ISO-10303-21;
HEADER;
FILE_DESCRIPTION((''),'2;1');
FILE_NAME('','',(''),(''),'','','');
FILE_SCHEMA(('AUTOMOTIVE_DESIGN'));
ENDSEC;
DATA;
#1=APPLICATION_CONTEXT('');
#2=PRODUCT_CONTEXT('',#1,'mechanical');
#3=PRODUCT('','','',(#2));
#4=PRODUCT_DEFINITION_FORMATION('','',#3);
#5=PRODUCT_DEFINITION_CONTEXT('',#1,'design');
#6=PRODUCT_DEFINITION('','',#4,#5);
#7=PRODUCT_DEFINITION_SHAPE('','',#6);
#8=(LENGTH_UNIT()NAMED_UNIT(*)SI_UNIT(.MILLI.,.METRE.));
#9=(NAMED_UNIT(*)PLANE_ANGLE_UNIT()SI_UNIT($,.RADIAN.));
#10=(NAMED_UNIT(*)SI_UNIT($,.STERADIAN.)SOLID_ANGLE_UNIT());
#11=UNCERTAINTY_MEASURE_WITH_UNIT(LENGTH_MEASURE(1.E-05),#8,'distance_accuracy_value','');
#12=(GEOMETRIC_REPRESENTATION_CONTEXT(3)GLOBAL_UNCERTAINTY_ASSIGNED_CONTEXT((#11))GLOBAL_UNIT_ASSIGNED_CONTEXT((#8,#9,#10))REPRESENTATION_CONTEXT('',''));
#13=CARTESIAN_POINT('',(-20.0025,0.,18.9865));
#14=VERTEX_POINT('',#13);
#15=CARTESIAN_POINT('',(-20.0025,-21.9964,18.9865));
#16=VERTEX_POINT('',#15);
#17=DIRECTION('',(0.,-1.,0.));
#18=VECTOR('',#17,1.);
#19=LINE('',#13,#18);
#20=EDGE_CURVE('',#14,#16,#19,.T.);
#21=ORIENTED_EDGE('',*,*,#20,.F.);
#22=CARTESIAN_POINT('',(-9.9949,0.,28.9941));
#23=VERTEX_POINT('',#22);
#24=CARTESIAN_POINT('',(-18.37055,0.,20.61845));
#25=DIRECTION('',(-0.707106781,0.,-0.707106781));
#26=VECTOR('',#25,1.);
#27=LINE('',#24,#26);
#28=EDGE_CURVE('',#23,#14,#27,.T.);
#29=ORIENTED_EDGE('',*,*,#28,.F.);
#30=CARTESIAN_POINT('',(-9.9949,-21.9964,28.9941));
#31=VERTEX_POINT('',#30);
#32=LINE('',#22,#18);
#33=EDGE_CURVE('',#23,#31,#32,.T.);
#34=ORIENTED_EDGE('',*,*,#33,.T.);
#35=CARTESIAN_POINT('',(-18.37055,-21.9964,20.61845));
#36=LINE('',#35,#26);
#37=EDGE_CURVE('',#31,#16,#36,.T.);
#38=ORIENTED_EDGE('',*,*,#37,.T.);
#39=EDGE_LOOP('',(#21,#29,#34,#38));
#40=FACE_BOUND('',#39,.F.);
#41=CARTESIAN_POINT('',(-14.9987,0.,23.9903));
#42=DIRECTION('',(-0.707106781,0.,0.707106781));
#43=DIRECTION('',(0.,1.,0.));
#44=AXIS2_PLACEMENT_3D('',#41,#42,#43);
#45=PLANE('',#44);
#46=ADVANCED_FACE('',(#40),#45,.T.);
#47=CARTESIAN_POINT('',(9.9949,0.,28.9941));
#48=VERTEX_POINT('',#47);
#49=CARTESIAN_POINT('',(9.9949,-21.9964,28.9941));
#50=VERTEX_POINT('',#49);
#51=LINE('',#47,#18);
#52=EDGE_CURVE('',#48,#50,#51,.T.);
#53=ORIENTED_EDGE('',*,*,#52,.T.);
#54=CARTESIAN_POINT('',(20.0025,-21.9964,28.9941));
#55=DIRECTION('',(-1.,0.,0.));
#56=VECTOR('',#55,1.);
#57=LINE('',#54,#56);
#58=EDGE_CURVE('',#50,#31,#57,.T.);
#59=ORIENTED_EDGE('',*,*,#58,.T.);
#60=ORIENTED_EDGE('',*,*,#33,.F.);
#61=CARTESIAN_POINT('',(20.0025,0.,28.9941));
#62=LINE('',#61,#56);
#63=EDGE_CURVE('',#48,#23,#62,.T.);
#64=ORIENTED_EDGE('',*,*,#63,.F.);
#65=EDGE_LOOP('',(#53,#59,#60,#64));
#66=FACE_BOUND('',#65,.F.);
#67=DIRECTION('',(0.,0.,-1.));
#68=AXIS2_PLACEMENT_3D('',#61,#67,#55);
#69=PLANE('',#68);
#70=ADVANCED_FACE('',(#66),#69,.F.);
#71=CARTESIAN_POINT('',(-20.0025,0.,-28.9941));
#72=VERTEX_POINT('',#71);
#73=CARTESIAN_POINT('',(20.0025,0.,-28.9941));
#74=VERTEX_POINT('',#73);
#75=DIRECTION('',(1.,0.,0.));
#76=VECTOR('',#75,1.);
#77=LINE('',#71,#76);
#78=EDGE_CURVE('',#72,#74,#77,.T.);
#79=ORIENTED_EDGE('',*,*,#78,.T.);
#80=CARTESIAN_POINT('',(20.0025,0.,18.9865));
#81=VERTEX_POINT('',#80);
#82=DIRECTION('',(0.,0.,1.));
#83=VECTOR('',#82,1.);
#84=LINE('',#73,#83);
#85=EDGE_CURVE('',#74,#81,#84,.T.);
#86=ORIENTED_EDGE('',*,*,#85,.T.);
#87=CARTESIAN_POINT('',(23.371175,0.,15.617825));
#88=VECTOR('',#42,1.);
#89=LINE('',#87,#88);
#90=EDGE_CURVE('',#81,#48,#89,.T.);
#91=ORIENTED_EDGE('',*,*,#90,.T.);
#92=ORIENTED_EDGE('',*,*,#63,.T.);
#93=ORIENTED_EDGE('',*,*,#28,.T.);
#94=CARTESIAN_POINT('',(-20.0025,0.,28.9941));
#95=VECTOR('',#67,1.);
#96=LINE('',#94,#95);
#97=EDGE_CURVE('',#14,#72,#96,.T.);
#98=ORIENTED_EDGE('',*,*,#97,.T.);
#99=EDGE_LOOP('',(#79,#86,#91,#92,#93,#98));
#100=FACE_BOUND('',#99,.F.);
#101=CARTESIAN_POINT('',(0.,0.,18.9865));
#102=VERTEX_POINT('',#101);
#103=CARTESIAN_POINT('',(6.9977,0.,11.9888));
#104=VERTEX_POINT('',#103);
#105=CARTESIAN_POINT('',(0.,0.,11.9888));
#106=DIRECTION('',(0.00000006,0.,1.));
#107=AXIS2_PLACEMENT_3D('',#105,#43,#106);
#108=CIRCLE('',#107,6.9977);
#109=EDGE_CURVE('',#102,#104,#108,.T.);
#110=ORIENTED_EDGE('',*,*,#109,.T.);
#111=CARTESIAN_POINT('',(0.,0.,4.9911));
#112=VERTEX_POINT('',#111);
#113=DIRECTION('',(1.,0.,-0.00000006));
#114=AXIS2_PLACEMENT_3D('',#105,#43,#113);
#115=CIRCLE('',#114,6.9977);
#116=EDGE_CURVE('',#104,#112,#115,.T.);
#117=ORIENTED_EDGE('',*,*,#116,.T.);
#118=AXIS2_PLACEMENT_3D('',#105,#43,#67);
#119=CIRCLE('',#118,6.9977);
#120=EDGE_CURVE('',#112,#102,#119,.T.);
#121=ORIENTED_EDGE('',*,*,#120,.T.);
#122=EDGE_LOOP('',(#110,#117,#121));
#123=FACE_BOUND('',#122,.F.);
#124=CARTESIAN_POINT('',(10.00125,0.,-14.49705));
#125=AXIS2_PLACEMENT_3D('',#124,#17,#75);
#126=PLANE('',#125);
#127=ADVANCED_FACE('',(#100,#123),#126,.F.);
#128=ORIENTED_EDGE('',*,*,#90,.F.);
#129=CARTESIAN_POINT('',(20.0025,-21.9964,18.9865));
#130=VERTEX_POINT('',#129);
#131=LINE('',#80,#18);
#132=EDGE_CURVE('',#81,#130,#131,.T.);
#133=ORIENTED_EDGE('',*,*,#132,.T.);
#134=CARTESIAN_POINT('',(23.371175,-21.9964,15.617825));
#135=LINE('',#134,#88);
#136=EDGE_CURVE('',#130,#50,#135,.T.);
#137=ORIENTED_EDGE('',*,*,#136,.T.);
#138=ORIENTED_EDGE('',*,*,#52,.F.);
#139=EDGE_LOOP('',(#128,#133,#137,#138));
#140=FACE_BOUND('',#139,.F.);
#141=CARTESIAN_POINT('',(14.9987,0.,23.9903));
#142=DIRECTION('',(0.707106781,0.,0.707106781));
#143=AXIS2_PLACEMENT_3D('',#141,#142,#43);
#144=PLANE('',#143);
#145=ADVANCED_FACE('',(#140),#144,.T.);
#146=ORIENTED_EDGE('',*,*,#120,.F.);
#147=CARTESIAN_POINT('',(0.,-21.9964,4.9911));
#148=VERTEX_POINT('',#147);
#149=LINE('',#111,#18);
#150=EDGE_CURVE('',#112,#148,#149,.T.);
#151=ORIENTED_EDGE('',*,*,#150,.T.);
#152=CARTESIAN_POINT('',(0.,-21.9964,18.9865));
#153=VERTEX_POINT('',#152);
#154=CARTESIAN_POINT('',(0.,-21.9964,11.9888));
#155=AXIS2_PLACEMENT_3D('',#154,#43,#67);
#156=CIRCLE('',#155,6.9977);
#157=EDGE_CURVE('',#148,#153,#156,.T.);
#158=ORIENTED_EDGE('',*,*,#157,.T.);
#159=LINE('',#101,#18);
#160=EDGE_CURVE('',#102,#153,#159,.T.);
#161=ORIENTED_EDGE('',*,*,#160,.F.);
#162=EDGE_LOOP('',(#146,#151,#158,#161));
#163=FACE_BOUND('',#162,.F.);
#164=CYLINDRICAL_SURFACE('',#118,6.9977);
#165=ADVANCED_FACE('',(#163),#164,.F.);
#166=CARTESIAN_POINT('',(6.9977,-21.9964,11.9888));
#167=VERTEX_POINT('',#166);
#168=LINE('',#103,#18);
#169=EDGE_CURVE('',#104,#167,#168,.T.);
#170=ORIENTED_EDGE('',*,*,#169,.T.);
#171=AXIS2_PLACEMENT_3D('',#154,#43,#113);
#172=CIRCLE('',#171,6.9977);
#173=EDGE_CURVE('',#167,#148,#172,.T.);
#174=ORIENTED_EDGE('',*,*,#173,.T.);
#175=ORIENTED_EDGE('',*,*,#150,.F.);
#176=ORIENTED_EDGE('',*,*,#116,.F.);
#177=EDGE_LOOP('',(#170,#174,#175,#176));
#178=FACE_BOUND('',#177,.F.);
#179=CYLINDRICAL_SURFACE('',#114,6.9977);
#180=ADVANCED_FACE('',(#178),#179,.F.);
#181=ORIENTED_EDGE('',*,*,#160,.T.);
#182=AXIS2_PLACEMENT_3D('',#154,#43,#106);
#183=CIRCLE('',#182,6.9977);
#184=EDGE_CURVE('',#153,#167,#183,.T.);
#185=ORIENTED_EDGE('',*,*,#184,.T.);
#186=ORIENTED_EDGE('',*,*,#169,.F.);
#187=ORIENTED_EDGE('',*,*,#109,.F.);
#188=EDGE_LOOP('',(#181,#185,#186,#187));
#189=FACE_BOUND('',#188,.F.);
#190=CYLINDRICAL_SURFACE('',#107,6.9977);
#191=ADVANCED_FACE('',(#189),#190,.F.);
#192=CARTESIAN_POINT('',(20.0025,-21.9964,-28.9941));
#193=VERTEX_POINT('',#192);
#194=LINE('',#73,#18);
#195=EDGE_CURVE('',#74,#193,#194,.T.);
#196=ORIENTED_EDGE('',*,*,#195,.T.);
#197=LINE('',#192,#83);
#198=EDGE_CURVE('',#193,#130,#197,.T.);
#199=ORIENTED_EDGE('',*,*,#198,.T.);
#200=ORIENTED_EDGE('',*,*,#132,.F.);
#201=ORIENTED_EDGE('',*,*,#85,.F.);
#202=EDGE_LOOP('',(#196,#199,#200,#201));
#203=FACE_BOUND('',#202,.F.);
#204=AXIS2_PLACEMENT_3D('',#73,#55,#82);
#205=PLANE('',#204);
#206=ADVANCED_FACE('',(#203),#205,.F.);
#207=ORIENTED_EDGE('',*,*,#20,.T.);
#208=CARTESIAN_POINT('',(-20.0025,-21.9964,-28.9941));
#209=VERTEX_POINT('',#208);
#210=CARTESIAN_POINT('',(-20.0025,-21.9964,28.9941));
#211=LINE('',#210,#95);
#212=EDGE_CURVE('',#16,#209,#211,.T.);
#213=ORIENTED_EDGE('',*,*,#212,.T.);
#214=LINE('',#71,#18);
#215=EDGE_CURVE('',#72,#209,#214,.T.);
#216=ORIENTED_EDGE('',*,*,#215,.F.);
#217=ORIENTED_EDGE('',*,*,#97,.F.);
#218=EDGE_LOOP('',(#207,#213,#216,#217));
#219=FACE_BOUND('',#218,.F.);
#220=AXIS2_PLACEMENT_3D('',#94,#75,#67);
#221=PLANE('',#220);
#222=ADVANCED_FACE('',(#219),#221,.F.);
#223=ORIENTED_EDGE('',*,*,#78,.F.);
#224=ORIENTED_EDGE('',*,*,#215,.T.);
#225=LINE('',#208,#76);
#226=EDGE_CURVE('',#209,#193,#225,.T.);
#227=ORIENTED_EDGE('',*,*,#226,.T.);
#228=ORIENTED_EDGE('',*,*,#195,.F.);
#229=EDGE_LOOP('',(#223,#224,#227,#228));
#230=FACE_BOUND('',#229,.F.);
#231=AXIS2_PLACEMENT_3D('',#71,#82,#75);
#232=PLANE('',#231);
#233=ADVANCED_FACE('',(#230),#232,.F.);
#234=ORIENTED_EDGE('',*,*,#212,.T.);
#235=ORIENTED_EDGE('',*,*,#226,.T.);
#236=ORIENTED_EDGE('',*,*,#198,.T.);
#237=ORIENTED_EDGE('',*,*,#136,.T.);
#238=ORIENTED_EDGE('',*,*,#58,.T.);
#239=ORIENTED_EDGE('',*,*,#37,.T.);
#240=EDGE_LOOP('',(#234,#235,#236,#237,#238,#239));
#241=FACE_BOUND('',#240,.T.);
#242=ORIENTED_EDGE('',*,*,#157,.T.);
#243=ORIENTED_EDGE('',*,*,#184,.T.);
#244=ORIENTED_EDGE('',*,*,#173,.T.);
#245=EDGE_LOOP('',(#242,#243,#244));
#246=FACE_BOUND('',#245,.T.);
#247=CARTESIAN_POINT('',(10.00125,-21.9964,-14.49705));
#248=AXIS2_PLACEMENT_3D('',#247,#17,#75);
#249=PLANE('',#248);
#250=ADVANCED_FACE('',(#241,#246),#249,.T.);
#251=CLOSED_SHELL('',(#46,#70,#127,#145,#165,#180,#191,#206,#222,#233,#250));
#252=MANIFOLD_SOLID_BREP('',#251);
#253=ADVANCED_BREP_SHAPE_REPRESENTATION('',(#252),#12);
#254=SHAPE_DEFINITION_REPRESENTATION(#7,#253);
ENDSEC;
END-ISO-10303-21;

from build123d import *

# Parameters (mm, degrees)
F0_W     = 20.0025
F0_H     = 28.9941
F1_DEPTH = 21.9964
F2_SIZE  = 10.0076


with BuildPart() as f1:
    # F0 (on Front) → F1 (new body)
    with BuildSketch(Plane.XZ):
        with Locations((10.00125, -14.49705)):
            Rectangle(F0_W, F0_H)
        with BuildLine():
            Line((0, 4.9911), (0, 0))
            Line((0, 0), (20.0025, 0))
            Line((20.0025, 0), (20.0025, 28.9941))
            Line((20.0025, 28.9941), (0, 28.9941))
            Line((0, 28.9941), (0, 18.9865))
            ThreePointArc((0, 18.9865), (4.948121, 16.936921), (6.9977, 11.9888))
            ThreePointArc((6.9977, 11.9888), (4.948121, 7.040679), (0, 4.9911))
        make_face()
        with BuildLine():
            Line((-20.0025, 0), (0, 0))
            Line((0, 0), (0, 4.9911))
            ThreePointArc((0, 4.9911), (-6.9977, 11.9888), (0, 18.9865))
            Line((0, 18.9865), (0, 28.9941))
            Line((0, 28.9941), (-20.0025, 28.9941))
            Line((-20.0025, 28.9941), (-20.0025, 0))
        make_face()
        with Locations((-10.00125, -14.49705)):
            Rectangle(F0_W, F0_H)
    extrude(amount=F1_DEPTH)

    # F2
    f2_edges = [f1.edges().sort_by_distance(p)[0] for p in [
        (20.0025, -10.9982, 28.9941),
        (-20.0025, -10.9982, 28.9941),
    ]]
    chamfer(f2_edges, length=F2_SIZE)


solid = f1.part
